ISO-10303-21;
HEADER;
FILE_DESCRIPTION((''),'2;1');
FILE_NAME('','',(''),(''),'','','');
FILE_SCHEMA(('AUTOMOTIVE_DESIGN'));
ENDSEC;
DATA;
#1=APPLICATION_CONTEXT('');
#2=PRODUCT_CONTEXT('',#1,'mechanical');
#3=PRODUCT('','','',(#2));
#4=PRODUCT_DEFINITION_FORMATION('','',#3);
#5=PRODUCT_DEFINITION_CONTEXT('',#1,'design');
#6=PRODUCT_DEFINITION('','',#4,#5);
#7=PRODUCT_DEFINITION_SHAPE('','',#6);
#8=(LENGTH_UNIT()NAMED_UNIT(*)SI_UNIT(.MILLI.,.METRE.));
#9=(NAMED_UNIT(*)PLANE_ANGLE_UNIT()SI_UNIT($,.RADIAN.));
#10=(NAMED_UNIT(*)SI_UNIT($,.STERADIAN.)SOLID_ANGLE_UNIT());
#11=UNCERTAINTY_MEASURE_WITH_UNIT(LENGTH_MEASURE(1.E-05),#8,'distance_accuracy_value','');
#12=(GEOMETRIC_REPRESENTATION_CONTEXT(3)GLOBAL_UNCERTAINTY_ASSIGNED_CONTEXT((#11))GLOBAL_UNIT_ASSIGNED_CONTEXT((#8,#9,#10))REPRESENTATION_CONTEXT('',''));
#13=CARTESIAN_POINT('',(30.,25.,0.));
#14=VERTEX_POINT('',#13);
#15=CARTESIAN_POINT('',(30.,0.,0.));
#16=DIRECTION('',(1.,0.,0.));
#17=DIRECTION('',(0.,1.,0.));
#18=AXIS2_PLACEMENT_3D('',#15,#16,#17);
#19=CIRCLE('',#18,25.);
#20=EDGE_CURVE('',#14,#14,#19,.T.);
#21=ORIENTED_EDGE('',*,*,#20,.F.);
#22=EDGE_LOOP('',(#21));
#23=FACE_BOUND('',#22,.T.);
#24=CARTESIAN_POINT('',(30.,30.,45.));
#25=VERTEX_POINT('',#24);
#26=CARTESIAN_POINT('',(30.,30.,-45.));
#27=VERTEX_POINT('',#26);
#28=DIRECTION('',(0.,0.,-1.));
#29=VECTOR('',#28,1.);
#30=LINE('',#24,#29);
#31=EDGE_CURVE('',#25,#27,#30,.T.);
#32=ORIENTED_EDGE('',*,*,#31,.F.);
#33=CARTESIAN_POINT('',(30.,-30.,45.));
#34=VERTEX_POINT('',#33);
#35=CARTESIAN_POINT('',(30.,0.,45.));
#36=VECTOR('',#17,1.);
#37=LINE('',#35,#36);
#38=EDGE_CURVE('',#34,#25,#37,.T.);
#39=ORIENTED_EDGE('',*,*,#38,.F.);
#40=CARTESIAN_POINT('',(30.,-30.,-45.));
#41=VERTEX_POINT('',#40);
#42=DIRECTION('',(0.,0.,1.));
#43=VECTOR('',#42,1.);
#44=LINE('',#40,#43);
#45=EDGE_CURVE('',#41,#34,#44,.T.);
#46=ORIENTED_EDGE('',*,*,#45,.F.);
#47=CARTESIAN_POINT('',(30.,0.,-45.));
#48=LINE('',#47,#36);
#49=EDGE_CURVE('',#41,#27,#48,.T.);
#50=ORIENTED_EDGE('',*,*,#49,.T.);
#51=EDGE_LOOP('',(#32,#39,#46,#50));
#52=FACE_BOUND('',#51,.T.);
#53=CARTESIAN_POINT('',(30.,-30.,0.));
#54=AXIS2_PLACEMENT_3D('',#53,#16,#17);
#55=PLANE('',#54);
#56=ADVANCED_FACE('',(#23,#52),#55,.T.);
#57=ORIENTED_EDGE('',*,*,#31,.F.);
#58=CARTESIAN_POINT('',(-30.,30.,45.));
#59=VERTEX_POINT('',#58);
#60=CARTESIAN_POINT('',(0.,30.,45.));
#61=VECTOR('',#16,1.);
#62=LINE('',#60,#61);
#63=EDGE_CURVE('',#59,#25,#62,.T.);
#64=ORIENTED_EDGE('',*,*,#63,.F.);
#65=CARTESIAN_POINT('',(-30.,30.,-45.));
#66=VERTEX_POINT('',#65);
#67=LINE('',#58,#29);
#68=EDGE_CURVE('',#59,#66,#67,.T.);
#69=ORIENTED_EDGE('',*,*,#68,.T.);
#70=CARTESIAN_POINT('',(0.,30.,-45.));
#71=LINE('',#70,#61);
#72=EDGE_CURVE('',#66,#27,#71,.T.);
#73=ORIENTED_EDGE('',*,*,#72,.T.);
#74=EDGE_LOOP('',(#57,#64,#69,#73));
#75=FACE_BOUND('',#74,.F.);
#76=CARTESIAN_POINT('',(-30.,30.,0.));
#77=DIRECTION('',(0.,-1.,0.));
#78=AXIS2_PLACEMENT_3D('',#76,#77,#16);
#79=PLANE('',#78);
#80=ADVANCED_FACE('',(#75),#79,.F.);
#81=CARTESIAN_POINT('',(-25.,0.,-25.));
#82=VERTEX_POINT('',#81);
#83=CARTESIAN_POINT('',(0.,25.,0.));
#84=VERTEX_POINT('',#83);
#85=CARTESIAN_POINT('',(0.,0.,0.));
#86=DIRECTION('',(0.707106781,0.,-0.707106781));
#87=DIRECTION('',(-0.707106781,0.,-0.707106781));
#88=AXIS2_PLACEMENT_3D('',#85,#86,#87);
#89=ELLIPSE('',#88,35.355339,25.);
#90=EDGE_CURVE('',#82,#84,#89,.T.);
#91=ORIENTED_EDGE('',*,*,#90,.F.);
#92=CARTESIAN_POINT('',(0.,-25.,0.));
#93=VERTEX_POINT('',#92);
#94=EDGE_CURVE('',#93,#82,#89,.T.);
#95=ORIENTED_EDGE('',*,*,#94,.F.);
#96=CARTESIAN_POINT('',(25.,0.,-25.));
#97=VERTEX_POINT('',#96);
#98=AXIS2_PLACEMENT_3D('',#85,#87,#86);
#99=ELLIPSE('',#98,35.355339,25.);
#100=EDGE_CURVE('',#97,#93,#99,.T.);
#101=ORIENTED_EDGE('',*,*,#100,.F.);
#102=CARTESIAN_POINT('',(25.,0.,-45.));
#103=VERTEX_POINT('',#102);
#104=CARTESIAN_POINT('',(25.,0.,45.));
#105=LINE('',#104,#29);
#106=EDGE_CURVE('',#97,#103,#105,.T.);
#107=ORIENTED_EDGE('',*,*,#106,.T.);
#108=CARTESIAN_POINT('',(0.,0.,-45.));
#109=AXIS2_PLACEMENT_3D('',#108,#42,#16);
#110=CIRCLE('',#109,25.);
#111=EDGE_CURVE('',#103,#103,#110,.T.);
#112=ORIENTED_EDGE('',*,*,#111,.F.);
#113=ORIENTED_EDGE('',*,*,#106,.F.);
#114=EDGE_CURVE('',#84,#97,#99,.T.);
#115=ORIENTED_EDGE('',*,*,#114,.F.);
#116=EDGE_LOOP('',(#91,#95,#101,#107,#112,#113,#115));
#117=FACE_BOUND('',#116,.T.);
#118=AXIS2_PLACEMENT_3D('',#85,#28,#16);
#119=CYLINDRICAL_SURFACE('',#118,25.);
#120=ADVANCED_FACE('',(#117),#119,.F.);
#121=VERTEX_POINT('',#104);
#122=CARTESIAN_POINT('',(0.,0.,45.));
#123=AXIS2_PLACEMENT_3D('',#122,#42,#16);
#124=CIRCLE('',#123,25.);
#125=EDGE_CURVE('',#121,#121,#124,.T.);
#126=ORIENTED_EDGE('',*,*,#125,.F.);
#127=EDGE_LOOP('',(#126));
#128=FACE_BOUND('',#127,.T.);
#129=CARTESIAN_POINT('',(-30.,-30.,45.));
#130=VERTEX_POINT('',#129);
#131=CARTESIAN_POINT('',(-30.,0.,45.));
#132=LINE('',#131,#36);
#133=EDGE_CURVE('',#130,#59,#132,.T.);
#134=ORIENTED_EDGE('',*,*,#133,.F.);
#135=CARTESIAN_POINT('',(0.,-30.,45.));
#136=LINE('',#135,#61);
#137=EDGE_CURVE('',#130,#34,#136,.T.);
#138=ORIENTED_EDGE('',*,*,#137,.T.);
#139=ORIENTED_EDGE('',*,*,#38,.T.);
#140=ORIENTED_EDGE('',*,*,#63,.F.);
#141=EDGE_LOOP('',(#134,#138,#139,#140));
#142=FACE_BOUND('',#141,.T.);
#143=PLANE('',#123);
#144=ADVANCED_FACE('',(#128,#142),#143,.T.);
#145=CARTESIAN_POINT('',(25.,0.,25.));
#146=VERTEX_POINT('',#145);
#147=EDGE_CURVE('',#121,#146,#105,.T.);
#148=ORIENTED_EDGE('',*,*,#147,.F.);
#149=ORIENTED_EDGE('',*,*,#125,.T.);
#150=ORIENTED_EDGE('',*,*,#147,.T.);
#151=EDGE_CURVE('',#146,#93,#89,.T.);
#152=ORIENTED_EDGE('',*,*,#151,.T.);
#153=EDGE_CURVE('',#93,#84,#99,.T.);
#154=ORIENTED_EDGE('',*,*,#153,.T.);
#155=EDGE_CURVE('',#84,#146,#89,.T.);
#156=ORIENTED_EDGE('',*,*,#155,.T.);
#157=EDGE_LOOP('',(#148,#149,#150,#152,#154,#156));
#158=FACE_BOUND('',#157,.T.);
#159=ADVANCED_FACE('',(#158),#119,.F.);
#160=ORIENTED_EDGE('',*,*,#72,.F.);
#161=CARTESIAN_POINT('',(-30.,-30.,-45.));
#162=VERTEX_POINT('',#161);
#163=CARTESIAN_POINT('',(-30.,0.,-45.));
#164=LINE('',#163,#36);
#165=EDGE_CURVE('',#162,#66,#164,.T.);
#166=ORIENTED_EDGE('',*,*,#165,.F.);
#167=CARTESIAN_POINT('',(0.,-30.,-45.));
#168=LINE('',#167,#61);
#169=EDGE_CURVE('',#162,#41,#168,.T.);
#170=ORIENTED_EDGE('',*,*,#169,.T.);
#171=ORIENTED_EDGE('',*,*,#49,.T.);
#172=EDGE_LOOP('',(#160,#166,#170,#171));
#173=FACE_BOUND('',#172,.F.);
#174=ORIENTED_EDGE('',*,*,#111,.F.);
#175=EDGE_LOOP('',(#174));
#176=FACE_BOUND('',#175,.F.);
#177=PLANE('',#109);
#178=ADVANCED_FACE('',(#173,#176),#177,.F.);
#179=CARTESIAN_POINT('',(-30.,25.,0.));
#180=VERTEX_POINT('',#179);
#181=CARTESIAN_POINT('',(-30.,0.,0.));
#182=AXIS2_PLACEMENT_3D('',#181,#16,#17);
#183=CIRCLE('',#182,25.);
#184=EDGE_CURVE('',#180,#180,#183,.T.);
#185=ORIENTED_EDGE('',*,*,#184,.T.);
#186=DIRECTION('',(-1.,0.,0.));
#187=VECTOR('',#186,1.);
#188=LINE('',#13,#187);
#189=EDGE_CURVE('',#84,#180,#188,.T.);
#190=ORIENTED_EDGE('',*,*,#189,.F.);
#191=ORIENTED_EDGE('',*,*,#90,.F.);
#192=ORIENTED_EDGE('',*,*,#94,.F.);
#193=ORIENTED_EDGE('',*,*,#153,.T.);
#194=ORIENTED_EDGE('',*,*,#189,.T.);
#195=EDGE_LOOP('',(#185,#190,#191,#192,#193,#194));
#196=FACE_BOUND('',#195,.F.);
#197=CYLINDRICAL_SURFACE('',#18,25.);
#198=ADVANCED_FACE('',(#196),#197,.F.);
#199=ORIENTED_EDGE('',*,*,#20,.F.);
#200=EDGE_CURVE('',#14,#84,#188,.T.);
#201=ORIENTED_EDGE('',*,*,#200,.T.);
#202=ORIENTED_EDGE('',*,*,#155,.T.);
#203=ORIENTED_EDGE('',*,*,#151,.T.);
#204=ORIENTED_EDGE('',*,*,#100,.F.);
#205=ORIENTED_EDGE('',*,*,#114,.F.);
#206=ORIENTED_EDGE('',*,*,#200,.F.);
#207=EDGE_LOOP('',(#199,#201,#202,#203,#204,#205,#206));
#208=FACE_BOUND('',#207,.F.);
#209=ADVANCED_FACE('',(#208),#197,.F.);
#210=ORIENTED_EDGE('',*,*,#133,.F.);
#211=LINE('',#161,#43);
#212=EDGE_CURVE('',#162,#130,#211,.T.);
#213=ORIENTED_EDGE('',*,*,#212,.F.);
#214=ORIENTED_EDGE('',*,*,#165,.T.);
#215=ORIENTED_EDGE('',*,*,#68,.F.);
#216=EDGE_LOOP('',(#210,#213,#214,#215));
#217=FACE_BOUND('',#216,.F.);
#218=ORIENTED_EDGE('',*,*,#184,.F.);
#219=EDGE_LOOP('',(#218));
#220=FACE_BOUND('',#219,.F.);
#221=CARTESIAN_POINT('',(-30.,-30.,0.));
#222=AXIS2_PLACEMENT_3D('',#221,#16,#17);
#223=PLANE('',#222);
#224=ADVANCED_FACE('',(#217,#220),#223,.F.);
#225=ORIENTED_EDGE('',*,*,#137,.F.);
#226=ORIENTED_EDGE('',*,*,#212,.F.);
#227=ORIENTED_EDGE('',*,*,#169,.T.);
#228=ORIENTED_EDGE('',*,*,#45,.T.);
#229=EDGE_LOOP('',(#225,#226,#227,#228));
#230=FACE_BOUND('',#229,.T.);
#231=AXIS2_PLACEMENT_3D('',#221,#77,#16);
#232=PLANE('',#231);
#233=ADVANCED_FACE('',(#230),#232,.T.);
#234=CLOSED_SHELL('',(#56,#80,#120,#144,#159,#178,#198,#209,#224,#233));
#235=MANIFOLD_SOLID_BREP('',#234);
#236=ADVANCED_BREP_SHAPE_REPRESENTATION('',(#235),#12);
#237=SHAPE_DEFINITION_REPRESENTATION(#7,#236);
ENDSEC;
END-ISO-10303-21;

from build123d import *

# Parameters (mm, degrees)
F0_W     = 60
F0_H     = 60
F0_R     = 25
F1_DEPTH = 45
F2_R     = 25
F3_DEPTH = 60.001


with BuildPart() as f1:
    # F0 (on Top) → F1 (new body, symmetric)
    with BuildSketch(Plane.XY):
        Rectangle(F0_W, F0_H)
        Circle(F0_R, mode=Mode.SUBTRACT)
    extrude(amount=F1_DEPTH, both=True)

    # F2 (on face) → F3 (cut, through all)
    with BuildSketch(Plane.YZ.offset(30)):
        Circle(F2_R)
    extrude(amount=-F3_DEPTH, mode=Mode.SUBTRACT)


solid = f1.part
